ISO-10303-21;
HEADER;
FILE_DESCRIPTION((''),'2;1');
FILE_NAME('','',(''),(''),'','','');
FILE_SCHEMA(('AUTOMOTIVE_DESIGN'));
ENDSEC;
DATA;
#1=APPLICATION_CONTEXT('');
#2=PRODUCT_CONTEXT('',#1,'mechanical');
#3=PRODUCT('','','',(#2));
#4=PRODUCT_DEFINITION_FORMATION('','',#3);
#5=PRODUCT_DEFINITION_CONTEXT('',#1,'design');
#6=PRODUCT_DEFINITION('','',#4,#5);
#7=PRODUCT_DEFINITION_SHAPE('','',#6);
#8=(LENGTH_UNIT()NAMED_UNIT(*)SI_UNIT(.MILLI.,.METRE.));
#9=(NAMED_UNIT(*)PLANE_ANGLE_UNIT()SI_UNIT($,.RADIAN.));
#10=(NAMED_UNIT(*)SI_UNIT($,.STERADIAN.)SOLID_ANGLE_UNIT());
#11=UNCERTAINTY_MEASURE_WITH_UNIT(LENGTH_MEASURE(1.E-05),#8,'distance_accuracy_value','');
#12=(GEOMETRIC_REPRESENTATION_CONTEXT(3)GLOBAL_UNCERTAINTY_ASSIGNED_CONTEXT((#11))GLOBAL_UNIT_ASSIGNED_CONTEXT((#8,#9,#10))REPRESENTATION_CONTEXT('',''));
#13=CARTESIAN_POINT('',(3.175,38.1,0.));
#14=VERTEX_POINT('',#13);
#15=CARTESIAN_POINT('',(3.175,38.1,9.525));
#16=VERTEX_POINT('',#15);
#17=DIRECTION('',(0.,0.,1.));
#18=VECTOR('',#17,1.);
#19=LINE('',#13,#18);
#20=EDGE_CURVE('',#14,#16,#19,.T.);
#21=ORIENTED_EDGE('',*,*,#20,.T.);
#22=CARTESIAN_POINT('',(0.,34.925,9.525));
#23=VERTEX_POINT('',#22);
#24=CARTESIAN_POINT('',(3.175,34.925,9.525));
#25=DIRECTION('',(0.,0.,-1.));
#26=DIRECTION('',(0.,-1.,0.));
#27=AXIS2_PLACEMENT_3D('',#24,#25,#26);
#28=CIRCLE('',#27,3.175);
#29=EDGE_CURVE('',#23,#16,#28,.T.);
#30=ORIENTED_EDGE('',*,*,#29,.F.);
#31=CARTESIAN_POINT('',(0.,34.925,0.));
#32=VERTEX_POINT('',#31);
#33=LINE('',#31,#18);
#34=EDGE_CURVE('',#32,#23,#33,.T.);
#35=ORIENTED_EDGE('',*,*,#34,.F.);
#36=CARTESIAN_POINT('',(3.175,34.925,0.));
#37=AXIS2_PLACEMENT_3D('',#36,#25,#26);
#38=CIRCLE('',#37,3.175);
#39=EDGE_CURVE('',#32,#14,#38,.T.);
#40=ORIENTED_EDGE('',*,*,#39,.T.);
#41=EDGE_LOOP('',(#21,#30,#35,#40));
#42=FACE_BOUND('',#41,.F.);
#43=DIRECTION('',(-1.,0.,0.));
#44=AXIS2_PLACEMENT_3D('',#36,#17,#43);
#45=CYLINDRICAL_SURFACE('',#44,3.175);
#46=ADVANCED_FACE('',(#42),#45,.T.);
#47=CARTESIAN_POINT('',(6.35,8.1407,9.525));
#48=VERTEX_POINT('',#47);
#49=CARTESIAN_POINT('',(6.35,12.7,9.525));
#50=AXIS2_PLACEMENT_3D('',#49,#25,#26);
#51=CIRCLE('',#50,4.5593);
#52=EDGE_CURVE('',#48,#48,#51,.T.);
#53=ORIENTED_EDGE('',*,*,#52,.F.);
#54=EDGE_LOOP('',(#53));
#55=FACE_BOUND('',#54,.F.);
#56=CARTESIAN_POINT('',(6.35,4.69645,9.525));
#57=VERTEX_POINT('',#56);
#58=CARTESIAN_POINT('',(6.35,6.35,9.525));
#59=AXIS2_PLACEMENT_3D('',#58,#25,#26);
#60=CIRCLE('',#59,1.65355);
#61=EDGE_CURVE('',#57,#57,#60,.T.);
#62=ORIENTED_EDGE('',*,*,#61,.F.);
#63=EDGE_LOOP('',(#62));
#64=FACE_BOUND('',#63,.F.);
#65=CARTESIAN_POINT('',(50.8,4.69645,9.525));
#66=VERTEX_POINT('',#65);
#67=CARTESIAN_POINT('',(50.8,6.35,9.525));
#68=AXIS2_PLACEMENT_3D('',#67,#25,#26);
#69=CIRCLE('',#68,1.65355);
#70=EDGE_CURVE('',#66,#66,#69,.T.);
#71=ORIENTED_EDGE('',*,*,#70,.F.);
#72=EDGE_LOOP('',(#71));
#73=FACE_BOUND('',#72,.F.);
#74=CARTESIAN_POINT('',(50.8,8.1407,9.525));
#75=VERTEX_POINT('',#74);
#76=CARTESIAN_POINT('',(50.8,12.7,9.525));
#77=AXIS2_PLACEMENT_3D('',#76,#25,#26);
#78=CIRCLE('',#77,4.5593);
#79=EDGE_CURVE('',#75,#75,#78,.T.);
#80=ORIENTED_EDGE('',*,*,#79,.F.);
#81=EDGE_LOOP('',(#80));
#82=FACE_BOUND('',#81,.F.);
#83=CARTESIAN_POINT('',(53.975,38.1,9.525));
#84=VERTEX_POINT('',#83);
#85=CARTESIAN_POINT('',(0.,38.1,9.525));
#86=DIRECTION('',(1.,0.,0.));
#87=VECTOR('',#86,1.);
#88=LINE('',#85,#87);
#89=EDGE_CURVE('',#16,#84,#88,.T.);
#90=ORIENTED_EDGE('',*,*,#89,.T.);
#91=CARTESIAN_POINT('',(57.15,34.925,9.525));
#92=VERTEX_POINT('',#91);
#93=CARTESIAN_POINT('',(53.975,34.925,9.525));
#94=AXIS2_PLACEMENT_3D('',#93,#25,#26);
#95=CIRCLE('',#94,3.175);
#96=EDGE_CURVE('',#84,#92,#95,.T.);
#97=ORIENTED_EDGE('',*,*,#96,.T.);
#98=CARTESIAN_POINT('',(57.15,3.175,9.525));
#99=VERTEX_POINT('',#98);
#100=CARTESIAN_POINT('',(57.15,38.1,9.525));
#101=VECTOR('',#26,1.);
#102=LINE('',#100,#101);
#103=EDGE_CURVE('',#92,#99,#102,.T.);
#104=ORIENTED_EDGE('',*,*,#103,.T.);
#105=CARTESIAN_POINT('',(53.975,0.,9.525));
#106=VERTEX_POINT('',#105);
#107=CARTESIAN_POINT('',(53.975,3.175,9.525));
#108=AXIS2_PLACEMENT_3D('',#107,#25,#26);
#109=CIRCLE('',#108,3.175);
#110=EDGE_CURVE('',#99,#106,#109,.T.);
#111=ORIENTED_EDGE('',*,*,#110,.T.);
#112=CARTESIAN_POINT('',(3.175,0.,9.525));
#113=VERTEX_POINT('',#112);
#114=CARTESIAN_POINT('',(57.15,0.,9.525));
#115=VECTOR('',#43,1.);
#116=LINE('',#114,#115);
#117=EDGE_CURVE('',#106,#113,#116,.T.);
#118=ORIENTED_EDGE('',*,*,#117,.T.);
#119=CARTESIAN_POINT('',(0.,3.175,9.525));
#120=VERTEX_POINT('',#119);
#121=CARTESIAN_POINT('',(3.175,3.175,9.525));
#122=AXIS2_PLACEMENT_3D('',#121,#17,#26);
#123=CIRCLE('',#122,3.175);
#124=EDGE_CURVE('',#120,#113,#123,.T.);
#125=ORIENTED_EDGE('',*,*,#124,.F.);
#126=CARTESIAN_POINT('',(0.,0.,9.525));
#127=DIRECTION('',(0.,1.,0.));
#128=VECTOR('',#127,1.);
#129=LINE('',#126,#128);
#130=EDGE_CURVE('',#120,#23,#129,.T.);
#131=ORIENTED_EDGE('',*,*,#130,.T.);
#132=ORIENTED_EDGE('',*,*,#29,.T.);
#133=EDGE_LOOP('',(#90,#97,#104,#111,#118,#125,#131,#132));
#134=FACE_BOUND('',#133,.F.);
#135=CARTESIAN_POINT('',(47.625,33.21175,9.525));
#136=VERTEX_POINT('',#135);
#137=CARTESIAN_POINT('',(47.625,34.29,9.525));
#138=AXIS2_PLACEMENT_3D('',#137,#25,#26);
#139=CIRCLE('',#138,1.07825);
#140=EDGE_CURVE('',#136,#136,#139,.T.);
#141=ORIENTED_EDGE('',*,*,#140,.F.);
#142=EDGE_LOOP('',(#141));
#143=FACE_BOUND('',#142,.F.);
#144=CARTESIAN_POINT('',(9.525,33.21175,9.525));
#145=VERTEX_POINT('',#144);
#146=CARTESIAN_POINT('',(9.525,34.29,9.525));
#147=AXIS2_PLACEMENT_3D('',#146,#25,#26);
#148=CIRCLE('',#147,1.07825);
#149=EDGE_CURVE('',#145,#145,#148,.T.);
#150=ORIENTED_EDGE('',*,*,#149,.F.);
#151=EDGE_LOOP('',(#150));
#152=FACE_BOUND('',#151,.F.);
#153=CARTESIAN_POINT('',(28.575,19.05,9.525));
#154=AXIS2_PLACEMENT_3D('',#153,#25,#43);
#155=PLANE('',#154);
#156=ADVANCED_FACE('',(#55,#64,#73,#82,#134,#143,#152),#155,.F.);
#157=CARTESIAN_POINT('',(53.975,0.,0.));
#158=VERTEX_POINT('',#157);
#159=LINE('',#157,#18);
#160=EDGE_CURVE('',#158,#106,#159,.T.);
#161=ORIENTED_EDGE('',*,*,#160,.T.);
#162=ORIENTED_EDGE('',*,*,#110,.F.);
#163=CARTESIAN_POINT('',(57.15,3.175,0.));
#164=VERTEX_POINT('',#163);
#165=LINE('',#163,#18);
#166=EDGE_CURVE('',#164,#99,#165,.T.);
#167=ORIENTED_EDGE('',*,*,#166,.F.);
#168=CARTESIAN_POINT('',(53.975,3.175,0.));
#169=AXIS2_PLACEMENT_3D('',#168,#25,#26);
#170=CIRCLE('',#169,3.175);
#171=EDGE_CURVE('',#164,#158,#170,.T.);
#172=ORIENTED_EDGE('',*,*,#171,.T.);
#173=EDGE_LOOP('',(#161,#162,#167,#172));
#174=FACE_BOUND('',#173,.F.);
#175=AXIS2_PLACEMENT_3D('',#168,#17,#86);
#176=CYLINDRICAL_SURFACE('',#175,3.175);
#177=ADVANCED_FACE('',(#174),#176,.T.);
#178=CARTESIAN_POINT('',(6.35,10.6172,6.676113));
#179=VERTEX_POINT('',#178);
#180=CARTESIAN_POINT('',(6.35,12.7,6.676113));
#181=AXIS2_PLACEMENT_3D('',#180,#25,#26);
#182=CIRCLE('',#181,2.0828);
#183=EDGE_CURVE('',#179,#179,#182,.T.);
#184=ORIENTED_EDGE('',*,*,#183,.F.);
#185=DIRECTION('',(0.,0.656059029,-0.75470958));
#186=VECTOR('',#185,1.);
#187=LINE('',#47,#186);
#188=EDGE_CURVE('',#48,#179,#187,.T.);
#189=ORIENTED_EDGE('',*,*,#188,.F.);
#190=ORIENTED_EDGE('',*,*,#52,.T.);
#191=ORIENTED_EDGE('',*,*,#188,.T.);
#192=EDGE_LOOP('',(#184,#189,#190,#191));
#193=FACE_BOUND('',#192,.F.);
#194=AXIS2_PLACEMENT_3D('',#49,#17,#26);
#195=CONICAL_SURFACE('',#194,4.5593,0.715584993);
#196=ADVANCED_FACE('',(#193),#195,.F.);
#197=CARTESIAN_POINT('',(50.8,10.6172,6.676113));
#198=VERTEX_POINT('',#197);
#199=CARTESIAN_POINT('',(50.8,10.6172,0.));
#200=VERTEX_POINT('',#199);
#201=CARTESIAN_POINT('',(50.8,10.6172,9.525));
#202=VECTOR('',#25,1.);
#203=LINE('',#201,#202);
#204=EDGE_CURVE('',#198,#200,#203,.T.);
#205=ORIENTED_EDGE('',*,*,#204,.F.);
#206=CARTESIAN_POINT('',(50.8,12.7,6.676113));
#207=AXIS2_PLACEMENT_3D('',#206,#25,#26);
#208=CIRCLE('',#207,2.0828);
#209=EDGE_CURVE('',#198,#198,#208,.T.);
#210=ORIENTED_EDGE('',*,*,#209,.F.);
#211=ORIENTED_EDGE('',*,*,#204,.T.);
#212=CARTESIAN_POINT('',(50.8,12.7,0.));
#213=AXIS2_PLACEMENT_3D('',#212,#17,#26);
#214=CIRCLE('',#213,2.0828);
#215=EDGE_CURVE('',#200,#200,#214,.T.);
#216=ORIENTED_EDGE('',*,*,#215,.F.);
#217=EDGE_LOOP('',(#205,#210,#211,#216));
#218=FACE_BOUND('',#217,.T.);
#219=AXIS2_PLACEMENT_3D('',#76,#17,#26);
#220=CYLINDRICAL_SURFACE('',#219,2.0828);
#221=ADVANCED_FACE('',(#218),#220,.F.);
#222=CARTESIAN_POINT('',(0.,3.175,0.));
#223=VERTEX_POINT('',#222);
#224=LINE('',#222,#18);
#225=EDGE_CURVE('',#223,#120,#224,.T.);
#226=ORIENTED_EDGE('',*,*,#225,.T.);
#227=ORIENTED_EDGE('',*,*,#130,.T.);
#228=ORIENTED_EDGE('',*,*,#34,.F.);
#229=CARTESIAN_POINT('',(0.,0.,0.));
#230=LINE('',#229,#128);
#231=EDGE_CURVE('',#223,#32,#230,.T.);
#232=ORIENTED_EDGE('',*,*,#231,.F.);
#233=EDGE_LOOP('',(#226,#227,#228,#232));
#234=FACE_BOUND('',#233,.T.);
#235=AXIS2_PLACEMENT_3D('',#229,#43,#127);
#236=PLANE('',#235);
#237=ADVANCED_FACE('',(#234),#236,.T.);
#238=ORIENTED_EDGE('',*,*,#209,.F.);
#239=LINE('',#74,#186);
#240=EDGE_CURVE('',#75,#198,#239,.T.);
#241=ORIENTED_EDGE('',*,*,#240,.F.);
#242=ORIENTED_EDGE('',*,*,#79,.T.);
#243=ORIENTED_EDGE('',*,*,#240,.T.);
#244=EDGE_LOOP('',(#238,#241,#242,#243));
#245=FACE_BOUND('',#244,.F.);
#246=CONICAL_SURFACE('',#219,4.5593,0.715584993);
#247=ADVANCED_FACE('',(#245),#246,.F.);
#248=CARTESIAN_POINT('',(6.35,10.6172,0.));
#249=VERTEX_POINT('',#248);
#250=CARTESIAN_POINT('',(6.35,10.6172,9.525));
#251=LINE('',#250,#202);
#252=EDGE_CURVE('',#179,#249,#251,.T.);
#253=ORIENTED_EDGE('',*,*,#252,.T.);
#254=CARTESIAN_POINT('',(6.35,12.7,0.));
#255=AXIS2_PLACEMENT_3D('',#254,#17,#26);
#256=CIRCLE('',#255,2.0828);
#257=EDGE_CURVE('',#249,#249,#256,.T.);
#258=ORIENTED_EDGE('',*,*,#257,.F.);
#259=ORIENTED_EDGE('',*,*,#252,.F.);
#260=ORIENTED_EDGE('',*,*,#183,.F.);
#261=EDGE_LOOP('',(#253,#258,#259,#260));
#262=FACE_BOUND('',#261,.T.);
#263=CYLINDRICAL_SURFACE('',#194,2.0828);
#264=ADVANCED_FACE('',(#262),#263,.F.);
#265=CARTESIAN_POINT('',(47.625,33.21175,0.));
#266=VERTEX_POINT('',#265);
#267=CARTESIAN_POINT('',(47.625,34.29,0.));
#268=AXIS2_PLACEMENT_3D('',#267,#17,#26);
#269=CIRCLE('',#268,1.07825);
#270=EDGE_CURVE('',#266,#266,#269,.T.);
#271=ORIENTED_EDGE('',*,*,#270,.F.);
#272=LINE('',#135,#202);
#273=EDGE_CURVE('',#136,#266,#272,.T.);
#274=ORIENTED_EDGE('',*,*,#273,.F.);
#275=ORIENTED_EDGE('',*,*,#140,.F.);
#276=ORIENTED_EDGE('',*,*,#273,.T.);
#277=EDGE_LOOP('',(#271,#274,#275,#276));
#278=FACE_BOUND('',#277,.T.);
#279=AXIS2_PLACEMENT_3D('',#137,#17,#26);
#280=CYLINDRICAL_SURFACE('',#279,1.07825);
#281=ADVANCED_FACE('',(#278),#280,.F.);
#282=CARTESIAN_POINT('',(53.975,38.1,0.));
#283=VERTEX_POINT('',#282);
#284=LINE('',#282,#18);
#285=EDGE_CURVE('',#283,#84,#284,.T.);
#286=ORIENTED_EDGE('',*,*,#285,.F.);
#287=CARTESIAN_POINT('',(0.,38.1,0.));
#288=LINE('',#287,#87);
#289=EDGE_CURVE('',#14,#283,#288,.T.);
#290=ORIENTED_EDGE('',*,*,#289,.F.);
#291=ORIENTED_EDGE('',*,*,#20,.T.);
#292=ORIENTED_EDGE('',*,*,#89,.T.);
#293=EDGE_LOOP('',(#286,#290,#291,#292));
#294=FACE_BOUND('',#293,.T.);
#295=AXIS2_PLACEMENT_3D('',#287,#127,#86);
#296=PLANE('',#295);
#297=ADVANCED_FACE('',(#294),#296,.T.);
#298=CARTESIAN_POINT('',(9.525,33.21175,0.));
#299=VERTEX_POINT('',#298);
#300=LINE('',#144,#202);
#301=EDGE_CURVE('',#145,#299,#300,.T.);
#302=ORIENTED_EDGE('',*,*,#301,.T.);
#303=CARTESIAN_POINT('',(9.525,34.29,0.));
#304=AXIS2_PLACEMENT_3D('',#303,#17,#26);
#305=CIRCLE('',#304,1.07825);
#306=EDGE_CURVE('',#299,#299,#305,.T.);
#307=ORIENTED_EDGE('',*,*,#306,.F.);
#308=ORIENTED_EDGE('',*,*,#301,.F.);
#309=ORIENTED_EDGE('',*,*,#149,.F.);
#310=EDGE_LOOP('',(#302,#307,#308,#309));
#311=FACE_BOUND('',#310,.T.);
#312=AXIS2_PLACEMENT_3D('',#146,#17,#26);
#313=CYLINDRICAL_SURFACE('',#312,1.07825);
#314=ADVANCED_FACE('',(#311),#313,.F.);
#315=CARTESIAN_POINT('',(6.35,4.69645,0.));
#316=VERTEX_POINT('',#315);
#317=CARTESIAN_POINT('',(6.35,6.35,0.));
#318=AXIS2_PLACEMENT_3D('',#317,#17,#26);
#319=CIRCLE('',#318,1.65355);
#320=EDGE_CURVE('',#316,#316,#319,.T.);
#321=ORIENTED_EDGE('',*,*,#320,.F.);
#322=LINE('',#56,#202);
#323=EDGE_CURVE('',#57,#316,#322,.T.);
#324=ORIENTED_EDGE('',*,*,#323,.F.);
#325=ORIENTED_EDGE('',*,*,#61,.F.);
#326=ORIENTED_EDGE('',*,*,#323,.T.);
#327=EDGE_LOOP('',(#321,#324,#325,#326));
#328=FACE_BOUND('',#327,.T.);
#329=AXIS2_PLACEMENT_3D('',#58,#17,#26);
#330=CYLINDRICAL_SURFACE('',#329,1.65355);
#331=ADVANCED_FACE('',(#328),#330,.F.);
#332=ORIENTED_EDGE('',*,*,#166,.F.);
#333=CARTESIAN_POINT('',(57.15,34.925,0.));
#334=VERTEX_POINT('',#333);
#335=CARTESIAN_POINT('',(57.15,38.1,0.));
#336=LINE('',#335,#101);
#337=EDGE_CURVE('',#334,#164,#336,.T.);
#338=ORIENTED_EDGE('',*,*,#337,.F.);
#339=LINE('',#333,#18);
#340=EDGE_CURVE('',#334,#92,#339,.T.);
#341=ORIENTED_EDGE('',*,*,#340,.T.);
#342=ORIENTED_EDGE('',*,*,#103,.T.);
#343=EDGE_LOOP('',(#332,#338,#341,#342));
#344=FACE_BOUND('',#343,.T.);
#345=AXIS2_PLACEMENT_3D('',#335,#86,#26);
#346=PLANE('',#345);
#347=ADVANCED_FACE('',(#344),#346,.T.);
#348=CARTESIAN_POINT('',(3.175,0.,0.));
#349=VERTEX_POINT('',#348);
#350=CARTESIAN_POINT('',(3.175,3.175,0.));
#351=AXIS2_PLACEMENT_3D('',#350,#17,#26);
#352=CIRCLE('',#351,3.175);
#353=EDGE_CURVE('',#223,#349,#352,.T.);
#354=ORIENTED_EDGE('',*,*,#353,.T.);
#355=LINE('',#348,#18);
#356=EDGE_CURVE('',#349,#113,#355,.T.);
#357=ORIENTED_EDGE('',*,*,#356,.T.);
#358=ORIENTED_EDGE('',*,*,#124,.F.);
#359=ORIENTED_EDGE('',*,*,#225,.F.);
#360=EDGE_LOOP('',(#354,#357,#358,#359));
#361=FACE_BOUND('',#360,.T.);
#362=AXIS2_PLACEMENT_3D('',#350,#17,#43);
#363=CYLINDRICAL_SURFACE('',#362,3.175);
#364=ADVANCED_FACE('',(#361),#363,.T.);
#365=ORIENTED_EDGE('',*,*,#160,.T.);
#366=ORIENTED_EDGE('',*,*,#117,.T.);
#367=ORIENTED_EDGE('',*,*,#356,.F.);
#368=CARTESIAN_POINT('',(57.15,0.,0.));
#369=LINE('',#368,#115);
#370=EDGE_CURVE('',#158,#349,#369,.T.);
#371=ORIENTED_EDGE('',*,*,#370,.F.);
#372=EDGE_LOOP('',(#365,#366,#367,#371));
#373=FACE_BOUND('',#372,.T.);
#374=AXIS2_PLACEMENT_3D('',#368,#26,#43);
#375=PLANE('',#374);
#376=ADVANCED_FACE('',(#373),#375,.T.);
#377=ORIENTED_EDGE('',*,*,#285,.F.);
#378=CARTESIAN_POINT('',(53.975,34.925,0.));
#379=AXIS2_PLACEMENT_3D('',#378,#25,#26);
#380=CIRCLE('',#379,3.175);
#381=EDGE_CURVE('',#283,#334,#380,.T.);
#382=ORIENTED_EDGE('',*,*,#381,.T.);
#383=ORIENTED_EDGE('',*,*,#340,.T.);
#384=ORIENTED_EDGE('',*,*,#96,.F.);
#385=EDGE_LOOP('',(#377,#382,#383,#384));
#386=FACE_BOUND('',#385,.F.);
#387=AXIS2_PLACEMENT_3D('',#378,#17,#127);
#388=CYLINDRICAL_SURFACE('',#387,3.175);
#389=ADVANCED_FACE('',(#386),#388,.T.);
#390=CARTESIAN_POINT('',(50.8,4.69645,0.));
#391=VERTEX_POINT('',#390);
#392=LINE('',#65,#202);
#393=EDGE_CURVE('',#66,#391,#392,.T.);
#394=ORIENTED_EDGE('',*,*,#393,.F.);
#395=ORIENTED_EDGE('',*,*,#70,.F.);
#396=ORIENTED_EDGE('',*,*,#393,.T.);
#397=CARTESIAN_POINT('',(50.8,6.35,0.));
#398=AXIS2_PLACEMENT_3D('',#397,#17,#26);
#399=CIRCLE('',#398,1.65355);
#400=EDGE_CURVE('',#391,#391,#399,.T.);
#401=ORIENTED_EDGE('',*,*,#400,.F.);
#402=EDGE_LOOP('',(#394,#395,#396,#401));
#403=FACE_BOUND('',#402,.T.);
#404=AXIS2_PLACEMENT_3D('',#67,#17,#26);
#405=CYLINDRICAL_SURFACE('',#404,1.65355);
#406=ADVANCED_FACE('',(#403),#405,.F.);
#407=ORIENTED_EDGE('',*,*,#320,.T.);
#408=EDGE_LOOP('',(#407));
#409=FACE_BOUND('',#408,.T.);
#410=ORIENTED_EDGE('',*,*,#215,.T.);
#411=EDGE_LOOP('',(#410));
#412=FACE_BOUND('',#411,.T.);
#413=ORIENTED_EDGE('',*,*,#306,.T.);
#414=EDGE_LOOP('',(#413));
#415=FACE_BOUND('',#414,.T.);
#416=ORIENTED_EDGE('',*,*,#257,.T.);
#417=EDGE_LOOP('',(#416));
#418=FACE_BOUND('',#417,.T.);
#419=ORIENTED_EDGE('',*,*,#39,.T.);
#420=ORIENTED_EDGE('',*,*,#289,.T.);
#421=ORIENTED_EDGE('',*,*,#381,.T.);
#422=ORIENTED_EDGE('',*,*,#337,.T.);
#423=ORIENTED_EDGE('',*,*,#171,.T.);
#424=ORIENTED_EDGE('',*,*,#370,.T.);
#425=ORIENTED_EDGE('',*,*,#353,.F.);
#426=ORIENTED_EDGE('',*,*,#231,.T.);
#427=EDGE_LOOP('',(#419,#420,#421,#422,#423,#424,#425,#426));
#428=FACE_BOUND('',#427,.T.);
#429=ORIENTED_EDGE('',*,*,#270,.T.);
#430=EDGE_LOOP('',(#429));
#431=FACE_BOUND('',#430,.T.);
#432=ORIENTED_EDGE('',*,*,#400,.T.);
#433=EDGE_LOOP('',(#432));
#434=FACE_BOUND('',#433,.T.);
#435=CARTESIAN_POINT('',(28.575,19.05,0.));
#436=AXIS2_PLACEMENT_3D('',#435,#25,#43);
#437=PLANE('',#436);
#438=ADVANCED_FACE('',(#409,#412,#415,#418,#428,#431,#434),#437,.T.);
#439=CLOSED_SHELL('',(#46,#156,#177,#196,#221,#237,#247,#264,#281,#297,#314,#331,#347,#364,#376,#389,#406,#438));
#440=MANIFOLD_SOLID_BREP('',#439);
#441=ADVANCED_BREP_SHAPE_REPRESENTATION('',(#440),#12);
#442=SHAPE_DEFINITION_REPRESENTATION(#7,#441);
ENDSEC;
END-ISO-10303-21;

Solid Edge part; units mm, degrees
sketch "Sketch1" plane through (0, 0, 0) normal (0, 0, 1) x (1, 0, 0)
  line L0 (0, 0) -> (0, 38.1)
  line L1 (0, 38.1) -> (57.15, 38.1)
  line L2 (57.15, 38.1) -> (57.15, 0)
  line L3 (57.15, 0) -> (0, 0)
  dimension "D1" = 38.1
  dimension "D2" = 57.15
extrude "Protrusion1" add sketch "Sketch1" along normal blind 9.525
fillet "Round_1" radius 3.175 4 edges at (0, 0, 4.7625) (0, 38.1, 4.7625) (57.15, 38.1, 4.7625) (57.15, 0, 4.7625)
hole "Hole_1" at (50.8, 12.7, 9.525) direction (0, 0, -1) diameter 4.1656 end up to next countersink diameter 9.1186 countersink angle 82
hole "Hole1" at (6.35, 12.7, 9.525) direction (0, 0, -1) diameter 4.1656 end up to next countersink diameter 9.1186 countersink angle 82
hole "Hole_3" at (47.625, 34.29, 9.525) direction (0, 0, -1) diameter 2.1565 end through all
hole "Hole2" at (9.525, 34.29, 9.525) direction (0, 0, -1) diameter 2.1565 end through all
hole "Hole_10" at (50.8, 6.35, 9.525) direction (0, 0, -1) diameter 3.3071 end up to next
hole "Hole3" at (6.35, 6.35, 9.525) direction (0, 0, -1) diameter 3.3071 end up to next
properties material "Polyethylene, low density"
